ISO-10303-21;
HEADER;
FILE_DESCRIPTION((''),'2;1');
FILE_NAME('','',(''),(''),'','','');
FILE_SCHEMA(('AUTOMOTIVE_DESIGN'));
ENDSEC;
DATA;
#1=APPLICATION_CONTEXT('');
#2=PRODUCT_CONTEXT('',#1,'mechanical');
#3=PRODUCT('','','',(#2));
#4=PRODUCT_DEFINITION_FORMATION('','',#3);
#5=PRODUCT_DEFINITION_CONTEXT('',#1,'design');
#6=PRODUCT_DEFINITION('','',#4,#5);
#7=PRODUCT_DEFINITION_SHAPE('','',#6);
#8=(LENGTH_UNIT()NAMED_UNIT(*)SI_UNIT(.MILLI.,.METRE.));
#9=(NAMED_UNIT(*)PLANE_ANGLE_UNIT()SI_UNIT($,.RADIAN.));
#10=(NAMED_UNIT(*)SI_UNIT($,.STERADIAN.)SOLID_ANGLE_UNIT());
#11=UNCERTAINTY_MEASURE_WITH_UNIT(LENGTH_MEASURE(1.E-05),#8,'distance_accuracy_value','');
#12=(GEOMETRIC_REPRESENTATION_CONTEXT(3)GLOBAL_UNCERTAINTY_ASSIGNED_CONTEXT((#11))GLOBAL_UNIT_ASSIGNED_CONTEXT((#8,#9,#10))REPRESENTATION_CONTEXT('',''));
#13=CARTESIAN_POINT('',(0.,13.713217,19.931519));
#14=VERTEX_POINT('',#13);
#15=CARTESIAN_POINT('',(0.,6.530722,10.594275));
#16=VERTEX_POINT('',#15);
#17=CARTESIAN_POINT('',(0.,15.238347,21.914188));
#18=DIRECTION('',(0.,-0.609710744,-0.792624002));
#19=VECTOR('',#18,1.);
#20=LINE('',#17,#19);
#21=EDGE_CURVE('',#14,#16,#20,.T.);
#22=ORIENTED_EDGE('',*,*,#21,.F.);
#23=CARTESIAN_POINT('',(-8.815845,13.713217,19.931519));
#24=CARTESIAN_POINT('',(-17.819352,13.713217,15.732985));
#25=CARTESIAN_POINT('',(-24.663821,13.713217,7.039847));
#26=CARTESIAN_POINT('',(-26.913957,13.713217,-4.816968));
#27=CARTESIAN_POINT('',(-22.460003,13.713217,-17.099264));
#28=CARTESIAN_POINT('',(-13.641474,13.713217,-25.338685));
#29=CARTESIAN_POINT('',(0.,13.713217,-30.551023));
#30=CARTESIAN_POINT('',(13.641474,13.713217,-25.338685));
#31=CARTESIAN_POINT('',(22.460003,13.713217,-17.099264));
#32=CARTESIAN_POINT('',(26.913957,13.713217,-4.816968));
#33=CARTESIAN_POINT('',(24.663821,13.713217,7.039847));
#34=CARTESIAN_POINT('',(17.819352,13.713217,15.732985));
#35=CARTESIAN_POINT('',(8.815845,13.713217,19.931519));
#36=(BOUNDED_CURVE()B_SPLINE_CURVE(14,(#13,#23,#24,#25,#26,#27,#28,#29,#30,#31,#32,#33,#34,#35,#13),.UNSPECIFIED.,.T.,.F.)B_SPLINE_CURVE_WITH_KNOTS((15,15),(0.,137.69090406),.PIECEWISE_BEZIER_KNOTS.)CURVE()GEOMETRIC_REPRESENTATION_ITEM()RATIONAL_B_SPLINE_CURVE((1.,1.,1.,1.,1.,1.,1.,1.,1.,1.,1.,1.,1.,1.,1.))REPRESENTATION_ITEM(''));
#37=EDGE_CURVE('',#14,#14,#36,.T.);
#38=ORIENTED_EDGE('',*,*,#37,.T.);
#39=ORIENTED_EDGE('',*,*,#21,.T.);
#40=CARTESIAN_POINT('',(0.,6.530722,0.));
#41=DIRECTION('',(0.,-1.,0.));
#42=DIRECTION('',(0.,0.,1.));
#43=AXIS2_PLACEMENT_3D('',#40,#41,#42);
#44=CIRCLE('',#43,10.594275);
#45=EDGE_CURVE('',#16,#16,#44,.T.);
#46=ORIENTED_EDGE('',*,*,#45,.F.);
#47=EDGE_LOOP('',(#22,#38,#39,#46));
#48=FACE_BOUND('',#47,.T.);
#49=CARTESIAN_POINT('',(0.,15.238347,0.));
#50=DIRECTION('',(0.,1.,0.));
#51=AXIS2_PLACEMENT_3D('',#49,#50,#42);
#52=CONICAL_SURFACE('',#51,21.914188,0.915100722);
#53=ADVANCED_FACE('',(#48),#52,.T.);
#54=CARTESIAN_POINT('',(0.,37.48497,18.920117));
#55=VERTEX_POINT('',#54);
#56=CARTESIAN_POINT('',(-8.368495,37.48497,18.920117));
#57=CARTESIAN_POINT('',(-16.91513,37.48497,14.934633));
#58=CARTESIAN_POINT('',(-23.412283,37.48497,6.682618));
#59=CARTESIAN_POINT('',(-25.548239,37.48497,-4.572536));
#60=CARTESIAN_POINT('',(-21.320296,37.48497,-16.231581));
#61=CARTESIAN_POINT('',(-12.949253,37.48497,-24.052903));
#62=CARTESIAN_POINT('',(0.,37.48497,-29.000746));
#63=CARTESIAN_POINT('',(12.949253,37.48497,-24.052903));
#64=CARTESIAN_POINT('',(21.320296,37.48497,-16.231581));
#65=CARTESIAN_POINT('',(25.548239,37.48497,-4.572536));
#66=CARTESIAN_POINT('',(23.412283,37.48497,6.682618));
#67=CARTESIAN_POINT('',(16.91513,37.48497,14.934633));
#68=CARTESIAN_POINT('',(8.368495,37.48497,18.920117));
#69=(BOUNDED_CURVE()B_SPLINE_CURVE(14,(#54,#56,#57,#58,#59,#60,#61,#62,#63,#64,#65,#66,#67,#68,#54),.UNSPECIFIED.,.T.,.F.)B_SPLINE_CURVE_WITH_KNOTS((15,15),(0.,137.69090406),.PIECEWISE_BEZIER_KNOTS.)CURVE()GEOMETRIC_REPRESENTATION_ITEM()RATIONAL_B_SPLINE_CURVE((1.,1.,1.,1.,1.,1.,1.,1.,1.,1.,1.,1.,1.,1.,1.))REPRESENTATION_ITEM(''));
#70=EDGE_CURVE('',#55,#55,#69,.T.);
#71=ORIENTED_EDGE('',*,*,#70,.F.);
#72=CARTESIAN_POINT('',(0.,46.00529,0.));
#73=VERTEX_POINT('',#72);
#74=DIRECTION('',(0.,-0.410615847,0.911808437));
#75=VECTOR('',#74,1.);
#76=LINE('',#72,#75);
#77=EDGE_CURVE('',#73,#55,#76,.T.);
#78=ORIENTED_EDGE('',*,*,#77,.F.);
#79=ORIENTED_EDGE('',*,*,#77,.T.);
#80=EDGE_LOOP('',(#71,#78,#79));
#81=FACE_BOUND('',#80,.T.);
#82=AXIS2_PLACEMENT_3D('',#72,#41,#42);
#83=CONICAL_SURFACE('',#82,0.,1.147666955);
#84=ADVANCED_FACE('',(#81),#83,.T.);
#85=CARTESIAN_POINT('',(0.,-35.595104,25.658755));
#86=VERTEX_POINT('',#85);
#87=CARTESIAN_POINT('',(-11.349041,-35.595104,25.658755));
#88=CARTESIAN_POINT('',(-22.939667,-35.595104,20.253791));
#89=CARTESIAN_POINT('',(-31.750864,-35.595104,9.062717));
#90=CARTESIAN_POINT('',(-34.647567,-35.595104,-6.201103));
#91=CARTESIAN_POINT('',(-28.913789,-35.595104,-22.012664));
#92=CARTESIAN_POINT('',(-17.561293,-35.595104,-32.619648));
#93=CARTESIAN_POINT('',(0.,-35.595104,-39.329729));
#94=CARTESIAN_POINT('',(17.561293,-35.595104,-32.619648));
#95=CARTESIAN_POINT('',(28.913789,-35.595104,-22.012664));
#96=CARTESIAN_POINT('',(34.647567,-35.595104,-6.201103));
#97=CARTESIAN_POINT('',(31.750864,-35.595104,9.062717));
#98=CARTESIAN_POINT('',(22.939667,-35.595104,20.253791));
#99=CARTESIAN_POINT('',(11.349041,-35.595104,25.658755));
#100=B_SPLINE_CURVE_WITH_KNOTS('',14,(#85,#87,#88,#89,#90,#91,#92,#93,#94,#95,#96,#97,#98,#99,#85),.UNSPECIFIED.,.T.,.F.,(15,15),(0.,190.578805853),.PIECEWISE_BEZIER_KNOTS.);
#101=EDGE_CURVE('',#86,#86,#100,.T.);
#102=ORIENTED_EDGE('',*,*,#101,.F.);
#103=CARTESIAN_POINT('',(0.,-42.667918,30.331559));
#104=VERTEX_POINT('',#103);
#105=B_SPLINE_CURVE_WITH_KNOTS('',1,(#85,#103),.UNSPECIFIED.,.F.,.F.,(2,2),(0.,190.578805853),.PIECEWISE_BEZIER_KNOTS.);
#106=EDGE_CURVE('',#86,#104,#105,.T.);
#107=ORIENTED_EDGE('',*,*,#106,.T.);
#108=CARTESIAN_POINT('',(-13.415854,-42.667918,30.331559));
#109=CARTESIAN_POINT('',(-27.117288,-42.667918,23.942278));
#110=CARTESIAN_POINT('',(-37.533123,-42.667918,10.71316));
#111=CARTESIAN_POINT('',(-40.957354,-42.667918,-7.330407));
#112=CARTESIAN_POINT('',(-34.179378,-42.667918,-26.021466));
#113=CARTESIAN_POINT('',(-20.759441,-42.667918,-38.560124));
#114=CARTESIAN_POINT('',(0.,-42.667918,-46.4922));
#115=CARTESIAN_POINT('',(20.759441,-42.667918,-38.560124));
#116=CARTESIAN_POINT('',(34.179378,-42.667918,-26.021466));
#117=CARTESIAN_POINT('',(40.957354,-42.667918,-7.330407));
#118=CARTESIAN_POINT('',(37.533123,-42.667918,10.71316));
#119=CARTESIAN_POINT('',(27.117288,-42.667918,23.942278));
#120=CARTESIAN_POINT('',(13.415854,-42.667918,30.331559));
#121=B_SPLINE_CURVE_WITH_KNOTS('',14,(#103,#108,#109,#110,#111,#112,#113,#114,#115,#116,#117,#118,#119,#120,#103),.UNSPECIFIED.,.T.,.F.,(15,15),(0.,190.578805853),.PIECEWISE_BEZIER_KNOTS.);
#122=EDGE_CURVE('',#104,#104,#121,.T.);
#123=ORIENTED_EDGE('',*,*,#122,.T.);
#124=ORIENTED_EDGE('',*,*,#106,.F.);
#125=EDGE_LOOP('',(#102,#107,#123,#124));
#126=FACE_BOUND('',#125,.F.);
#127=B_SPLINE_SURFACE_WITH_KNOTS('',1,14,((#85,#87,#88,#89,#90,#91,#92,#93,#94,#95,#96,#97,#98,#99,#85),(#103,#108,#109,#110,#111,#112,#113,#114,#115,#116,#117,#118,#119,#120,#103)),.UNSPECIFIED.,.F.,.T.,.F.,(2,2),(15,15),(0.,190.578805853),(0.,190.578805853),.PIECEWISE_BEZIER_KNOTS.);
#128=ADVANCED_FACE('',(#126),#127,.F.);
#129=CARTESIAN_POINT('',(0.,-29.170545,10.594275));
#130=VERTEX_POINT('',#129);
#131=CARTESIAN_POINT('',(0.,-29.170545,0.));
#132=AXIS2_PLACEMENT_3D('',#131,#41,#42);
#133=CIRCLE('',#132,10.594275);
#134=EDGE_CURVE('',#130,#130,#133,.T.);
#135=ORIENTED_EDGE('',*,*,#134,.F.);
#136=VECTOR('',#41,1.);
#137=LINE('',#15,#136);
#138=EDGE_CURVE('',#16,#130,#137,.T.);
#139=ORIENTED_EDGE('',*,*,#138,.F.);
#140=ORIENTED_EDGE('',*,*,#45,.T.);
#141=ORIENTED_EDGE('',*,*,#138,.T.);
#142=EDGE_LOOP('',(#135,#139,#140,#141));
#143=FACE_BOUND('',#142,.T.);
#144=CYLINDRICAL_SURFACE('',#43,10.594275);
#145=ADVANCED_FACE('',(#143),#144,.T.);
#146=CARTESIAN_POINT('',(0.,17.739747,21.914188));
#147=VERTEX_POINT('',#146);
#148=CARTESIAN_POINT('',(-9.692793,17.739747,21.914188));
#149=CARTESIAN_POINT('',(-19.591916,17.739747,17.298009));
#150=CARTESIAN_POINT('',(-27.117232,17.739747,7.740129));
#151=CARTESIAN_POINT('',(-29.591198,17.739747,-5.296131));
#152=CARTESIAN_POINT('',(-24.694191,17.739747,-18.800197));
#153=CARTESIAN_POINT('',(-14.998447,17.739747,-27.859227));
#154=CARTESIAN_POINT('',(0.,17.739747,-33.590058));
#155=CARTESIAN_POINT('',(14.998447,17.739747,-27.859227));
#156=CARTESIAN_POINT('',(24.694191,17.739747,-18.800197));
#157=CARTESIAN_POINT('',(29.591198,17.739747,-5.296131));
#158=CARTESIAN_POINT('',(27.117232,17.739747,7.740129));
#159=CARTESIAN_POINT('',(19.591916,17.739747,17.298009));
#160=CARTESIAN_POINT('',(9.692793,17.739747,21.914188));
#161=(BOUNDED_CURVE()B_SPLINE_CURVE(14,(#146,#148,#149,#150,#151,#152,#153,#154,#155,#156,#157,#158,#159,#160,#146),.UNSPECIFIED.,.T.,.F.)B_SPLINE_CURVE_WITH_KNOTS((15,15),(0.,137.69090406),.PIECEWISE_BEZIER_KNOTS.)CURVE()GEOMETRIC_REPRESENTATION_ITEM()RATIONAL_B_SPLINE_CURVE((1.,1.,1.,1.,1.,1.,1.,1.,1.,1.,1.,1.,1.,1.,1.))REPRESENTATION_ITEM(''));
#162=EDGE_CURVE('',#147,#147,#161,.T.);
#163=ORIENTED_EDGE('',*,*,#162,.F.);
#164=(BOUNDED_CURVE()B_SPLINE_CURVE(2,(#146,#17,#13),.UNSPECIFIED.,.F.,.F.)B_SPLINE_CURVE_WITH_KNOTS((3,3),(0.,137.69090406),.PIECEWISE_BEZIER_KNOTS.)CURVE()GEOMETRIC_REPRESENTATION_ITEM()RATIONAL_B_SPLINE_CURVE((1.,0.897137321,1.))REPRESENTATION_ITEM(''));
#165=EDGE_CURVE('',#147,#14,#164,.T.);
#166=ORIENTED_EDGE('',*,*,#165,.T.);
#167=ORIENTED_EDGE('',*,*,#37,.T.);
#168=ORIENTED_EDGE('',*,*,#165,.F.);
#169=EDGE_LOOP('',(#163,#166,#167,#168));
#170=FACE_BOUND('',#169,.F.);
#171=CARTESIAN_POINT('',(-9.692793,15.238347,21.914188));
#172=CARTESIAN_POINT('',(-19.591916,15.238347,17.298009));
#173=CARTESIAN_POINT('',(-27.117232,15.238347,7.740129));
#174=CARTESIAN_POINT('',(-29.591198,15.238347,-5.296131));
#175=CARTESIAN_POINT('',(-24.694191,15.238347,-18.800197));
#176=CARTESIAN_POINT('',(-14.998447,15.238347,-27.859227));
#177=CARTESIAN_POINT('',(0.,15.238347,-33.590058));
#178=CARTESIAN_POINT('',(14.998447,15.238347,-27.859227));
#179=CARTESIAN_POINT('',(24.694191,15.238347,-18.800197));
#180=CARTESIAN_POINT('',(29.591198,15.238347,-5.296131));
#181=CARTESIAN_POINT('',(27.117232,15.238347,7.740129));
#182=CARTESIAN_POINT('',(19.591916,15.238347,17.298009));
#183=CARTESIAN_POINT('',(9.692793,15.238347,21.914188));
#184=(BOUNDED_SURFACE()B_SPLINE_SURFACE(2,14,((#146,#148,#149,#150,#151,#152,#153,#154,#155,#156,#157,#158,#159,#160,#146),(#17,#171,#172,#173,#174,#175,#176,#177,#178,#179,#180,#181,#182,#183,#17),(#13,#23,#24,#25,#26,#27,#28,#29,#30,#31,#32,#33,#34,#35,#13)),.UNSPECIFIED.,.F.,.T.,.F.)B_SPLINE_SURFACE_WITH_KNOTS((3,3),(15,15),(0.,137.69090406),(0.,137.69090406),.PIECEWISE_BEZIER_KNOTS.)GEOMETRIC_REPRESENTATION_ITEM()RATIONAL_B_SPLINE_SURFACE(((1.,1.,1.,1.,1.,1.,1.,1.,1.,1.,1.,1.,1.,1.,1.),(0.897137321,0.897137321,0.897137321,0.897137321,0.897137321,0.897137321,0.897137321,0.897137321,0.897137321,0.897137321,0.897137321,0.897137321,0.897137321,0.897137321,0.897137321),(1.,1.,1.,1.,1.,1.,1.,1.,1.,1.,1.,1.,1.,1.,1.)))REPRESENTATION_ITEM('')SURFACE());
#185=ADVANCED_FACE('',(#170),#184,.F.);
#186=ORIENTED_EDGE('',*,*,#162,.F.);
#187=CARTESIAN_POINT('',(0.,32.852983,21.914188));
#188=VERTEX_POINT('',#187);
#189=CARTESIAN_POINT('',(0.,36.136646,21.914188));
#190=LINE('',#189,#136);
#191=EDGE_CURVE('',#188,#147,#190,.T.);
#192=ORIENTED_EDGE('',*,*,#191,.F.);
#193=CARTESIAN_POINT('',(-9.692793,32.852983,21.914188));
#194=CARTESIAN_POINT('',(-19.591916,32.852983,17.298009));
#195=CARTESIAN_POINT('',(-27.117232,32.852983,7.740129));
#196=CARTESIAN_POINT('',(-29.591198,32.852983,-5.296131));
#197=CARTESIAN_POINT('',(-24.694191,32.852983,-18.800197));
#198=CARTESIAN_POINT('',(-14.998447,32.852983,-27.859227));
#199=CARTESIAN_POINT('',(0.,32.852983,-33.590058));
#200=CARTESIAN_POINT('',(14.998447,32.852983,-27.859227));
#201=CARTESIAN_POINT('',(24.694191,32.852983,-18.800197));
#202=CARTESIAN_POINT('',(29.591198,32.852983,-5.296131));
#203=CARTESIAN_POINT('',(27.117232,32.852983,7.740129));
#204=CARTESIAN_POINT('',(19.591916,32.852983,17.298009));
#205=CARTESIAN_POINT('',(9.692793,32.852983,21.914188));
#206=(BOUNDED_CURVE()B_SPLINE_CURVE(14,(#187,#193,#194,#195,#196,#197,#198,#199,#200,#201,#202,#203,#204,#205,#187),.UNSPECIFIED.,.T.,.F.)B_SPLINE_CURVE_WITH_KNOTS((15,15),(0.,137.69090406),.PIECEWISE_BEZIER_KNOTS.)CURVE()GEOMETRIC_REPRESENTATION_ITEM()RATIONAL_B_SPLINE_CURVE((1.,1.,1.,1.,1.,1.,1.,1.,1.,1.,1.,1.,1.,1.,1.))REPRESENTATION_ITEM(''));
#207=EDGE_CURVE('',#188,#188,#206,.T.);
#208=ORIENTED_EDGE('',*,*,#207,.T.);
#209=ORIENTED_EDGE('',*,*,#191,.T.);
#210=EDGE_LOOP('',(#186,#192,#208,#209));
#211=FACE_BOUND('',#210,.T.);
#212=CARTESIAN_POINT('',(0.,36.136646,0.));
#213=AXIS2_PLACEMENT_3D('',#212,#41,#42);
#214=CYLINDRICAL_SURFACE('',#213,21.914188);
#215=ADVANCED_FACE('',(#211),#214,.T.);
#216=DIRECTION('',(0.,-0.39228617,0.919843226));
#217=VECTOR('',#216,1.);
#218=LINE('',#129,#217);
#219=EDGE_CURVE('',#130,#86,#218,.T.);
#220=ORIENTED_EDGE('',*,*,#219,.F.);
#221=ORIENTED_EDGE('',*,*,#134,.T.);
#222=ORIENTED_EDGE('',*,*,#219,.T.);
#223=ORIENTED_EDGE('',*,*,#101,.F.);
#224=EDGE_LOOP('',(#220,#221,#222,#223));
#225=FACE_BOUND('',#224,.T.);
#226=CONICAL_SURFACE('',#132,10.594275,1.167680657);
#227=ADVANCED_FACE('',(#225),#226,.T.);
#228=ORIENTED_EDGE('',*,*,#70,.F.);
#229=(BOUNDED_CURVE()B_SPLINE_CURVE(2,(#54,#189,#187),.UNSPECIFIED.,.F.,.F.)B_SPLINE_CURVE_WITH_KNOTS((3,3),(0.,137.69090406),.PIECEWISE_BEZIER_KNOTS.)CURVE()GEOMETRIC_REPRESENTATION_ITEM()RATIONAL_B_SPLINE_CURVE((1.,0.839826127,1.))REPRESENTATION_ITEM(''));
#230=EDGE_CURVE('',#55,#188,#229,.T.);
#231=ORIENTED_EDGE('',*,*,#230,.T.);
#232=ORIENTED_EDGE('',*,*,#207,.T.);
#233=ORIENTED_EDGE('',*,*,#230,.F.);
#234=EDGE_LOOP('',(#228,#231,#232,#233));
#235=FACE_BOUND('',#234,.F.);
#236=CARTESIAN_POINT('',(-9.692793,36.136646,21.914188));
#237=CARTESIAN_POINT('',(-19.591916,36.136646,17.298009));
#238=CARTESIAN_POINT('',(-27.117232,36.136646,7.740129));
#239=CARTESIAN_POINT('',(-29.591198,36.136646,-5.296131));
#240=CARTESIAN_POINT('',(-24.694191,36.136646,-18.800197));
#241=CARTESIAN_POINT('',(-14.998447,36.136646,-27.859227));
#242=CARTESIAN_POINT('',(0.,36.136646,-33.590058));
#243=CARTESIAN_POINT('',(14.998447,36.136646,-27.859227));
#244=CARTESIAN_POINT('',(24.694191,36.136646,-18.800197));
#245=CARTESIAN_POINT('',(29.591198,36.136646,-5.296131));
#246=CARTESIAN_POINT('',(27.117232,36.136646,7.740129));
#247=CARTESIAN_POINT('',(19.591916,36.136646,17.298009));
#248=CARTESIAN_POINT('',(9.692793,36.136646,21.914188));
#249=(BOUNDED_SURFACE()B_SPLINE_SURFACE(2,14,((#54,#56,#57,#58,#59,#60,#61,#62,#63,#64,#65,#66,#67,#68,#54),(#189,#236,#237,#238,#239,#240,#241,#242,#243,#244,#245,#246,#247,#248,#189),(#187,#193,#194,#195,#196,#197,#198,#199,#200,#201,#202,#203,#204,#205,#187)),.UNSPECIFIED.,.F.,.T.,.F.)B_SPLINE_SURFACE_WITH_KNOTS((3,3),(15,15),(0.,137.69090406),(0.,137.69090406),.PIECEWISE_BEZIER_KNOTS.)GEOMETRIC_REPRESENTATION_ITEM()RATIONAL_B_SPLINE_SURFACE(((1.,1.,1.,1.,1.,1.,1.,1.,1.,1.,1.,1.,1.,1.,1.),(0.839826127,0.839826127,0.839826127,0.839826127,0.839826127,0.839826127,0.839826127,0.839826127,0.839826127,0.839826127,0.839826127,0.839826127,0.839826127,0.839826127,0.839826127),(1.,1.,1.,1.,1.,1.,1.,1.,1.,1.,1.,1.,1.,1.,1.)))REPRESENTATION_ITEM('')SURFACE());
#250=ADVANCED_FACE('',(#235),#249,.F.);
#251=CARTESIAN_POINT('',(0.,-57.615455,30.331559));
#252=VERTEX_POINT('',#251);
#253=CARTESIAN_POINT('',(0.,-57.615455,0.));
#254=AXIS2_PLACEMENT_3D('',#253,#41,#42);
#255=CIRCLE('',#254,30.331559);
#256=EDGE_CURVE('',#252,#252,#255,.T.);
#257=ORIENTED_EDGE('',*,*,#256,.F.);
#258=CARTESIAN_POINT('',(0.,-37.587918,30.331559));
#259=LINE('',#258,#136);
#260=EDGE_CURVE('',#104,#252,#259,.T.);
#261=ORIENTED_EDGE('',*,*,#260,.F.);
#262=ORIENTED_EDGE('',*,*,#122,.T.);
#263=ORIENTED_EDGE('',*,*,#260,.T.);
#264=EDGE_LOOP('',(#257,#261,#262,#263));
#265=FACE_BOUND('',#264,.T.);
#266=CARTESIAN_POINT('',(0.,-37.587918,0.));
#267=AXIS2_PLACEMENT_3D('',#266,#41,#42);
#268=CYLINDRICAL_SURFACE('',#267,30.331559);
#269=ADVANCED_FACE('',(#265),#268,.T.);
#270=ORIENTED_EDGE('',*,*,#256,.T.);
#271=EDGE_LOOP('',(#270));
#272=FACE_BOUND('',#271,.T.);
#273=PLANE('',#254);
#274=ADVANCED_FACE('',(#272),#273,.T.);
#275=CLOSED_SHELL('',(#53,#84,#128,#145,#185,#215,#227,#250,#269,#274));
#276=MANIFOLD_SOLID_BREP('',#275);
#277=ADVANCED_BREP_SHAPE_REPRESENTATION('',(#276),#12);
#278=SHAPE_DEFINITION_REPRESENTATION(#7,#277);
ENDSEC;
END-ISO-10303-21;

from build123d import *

# Parameters (mm, degrees)
F2_R    = 5.08
F3_SIZE = 5.08


with BuildPart() as f1:
    # F0 (on Right) → F1 (revolve)
    with BuildSketch(Plane.YZ):
        Polygon((-57.615455, 0), (46.00529, 0), (36.136646, 21.914188), (15.238347, 21.914188), (6.530722, 10.594275), (-29.170545, 10.594275), (-37.587918, 30.331559), (-57.615455, 30.331559), align=None)
    revolve(axis=Axis((0, 3.918434, 0), (0, -1, 0)))

    # F2
    f2_edges = [f1.edges().sort_by_distance(p)[0] for p in [
        (0, 36.136646, -21.914188),
        (0, 15.238347, -21.914188),
    ]]
    fillet(f2_edges, radius=F2_R)

    # F3
    f3_edges = [f1.edges().sort_by_distance(p)[0] for p in [
        (0, -37.587918, -30.331559),
    ]]
    chamfer(f3_edges, length=F3_SIZE)


solid = f1.part
